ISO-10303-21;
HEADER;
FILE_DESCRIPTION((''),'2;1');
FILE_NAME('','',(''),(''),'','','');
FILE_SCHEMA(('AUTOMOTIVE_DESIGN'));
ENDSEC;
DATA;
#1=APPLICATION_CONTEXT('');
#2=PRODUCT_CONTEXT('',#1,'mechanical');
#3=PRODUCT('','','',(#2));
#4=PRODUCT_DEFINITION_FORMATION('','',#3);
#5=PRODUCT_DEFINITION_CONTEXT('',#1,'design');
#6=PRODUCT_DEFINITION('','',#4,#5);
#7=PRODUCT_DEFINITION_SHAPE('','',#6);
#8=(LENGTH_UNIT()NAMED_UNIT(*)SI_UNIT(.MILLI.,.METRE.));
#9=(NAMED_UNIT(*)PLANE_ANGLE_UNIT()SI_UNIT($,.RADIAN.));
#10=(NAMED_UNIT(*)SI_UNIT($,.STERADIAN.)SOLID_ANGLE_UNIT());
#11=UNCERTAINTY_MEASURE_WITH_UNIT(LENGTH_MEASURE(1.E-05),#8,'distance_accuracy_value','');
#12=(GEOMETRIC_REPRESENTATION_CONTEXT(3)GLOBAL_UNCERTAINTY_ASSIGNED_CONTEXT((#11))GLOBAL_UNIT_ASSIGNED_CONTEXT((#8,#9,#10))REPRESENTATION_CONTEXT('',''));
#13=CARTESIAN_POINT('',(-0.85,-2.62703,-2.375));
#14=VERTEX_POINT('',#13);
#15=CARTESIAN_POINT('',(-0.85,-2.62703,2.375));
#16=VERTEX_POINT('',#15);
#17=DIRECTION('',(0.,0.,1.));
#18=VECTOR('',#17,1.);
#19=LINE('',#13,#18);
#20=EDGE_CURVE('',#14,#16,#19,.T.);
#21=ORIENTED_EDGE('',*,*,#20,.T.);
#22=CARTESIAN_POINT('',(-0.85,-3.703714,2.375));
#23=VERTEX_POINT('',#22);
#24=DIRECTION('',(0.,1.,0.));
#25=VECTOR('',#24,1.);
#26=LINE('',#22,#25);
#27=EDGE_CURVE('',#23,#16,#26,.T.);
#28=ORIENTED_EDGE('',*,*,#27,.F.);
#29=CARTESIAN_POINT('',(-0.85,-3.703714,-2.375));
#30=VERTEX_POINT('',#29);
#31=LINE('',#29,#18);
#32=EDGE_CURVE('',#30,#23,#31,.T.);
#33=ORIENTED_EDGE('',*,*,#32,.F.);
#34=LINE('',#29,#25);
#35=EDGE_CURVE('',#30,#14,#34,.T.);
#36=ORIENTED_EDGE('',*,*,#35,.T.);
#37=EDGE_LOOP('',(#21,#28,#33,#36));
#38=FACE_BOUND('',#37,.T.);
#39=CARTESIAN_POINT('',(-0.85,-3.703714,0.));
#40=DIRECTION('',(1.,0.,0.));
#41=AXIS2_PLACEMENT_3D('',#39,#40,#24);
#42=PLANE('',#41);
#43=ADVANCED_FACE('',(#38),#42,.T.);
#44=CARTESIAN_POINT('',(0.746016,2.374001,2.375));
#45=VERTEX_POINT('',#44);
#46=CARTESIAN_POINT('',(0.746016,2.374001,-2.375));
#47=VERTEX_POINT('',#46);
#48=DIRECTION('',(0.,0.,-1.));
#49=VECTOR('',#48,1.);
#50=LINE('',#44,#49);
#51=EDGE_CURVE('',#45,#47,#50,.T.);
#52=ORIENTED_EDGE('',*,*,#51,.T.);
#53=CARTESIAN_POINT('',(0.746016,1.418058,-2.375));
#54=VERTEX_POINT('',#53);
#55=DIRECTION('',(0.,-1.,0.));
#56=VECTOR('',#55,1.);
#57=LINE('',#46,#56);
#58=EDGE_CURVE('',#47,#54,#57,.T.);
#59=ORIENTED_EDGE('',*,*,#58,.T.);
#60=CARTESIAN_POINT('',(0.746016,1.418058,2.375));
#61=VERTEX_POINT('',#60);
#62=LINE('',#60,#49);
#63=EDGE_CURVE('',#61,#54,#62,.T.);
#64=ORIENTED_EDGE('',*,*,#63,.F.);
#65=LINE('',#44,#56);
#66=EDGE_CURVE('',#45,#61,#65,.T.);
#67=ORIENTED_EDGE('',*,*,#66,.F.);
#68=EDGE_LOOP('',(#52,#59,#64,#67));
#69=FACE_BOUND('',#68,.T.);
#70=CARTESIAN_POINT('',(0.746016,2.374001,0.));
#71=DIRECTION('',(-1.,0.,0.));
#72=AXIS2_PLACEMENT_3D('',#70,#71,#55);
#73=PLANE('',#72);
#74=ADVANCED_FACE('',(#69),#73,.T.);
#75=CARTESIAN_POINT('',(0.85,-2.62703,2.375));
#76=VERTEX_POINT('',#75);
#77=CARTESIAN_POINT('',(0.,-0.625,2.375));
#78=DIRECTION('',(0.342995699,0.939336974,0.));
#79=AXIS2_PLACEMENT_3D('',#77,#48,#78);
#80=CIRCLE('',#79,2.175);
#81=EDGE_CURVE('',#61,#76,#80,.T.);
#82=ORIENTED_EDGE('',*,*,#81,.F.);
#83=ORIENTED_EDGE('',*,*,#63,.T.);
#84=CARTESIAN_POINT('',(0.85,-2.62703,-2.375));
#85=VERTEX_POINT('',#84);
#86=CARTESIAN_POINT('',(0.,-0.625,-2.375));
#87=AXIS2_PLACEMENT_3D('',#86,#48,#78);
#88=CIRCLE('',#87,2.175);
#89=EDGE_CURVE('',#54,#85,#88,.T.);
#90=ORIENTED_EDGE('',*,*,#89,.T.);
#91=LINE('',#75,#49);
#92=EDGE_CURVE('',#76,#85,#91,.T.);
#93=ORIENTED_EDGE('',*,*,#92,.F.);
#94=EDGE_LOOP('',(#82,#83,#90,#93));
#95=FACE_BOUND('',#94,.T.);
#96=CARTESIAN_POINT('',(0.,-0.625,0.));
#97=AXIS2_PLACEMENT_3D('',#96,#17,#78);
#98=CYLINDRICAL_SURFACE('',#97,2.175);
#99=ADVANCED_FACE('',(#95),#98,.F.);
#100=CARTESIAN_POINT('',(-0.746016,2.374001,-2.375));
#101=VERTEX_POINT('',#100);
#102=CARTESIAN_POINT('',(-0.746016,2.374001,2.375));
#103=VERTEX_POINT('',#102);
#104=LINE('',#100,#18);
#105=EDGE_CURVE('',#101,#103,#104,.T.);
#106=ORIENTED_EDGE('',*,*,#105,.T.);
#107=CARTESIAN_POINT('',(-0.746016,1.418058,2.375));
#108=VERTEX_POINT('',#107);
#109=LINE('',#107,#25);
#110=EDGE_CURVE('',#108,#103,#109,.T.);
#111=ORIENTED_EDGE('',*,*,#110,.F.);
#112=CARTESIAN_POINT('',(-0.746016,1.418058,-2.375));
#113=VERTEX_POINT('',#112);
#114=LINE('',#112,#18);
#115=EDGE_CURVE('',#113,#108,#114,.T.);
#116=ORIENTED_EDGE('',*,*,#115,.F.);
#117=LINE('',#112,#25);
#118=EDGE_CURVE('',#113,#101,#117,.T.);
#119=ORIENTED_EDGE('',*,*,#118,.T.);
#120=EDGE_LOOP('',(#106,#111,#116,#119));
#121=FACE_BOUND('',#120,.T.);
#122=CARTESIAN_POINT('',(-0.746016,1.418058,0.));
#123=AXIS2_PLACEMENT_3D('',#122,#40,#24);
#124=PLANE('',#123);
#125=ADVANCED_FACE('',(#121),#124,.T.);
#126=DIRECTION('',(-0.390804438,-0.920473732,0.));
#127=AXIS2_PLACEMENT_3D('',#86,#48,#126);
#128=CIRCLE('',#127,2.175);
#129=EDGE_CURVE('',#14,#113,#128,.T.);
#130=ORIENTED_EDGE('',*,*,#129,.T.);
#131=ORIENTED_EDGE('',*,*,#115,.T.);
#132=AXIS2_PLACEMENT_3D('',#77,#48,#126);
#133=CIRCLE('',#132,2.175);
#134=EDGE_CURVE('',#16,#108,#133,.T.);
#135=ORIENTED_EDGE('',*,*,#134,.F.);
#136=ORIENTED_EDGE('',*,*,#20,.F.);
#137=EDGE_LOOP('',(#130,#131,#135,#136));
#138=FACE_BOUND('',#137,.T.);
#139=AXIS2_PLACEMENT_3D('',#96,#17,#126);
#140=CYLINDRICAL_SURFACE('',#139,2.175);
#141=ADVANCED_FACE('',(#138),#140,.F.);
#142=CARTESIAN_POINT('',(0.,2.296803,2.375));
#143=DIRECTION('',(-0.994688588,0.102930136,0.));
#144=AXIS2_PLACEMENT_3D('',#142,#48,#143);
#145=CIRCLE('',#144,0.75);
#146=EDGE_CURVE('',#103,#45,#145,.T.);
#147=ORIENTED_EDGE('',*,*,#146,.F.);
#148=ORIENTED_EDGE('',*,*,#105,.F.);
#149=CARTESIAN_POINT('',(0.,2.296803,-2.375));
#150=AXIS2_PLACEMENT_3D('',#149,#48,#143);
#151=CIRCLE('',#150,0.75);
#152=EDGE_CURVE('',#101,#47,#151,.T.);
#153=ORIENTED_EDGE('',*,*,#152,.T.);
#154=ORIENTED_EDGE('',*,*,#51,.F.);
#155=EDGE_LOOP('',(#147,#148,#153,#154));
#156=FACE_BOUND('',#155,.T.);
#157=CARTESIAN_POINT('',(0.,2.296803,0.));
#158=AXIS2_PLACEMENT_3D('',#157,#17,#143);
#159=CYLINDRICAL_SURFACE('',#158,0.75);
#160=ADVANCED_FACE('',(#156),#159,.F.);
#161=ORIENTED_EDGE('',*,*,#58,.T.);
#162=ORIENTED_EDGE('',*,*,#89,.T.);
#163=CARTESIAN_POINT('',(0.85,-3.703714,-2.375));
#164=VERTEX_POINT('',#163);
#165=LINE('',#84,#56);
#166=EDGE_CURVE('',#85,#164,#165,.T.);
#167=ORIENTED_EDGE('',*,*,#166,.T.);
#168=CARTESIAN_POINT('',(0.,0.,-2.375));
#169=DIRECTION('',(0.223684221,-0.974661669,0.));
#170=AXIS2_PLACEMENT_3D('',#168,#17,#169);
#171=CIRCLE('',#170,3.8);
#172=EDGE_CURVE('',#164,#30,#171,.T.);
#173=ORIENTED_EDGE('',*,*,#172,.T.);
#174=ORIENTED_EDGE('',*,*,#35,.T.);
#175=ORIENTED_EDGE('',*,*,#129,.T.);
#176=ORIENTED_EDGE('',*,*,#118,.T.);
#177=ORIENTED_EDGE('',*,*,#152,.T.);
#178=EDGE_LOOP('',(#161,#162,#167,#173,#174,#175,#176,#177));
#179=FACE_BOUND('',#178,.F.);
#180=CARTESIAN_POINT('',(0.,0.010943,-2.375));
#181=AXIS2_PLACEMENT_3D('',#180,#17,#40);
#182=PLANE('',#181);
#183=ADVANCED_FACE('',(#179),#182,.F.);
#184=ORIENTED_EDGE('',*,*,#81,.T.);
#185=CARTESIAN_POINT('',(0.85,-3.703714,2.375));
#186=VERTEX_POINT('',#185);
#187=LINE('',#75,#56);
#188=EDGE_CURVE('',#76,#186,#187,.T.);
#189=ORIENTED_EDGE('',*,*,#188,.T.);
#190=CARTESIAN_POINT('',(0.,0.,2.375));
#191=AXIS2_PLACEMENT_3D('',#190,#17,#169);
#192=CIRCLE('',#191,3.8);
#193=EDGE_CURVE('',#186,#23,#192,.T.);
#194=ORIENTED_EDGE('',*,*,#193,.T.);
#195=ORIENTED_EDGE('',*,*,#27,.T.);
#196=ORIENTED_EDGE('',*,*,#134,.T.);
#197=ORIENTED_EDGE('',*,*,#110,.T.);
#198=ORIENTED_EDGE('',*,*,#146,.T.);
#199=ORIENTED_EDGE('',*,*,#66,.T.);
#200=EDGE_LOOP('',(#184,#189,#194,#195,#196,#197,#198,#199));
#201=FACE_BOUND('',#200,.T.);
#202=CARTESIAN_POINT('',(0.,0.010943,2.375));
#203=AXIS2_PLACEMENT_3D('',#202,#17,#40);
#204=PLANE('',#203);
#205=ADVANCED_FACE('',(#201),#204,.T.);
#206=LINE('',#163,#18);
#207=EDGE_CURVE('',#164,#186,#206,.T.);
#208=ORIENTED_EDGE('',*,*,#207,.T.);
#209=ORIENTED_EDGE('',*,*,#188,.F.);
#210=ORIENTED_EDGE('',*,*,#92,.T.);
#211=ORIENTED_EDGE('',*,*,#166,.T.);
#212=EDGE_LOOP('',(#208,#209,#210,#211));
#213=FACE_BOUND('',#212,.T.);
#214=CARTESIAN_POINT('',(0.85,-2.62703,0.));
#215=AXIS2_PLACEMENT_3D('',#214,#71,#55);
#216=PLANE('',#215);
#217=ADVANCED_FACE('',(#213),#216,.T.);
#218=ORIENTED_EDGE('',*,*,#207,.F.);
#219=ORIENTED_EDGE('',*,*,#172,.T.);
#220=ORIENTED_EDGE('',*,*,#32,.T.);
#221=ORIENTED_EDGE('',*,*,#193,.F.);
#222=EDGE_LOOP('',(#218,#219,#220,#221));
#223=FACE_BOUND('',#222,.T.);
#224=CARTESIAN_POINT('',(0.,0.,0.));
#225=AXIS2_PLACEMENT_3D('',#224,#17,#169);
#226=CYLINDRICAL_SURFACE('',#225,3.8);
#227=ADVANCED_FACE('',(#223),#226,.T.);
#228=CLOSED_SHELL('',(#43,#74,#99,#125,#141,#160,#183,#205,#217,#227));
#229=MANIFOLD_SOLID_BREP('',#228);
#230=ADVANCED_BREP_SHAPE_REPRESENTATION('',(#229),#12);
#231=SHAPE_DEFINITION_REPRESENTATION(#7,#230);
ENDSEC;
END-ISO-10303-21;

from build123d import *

# Parameters (mm, degrees)
F1_DEPTH = 2.375


with BuildPart() as f1:
    # F0 (on Top) → F1 (new body, symmetric)
    with BuildSketch(Plane.XY):
        with BuildLine():
            Line((0.85, -2.62703), (0.85, -3.703714))
            ThreePointArc((0.85, -3.703714), (0, 3.8), (-0.85, -3.703714))
            Line((-0.85, -3.703714), (-0.85, -2.62703))
            ThreePointArc((-0.85, -2.62703), (-2.174282, -0.569108), (-0.746016, 1.418058))
            Line((-0.746016, 1.418058), (-0.746016, 2.374001))
            ThreePointArc((-0.746016, 2.374001), (0, 3.046803), (0.746016, 2.374001))
            Line((0.746016, 2.374001), (0.746016, 1.418058))
            ThreePointArc((0.746016, 1.418058), (2.174282, -0.569108), (0.85, -2.62703))
        make_face()
    extrude(amount=F1_DEPTH, both=True)


solid = f1.part
